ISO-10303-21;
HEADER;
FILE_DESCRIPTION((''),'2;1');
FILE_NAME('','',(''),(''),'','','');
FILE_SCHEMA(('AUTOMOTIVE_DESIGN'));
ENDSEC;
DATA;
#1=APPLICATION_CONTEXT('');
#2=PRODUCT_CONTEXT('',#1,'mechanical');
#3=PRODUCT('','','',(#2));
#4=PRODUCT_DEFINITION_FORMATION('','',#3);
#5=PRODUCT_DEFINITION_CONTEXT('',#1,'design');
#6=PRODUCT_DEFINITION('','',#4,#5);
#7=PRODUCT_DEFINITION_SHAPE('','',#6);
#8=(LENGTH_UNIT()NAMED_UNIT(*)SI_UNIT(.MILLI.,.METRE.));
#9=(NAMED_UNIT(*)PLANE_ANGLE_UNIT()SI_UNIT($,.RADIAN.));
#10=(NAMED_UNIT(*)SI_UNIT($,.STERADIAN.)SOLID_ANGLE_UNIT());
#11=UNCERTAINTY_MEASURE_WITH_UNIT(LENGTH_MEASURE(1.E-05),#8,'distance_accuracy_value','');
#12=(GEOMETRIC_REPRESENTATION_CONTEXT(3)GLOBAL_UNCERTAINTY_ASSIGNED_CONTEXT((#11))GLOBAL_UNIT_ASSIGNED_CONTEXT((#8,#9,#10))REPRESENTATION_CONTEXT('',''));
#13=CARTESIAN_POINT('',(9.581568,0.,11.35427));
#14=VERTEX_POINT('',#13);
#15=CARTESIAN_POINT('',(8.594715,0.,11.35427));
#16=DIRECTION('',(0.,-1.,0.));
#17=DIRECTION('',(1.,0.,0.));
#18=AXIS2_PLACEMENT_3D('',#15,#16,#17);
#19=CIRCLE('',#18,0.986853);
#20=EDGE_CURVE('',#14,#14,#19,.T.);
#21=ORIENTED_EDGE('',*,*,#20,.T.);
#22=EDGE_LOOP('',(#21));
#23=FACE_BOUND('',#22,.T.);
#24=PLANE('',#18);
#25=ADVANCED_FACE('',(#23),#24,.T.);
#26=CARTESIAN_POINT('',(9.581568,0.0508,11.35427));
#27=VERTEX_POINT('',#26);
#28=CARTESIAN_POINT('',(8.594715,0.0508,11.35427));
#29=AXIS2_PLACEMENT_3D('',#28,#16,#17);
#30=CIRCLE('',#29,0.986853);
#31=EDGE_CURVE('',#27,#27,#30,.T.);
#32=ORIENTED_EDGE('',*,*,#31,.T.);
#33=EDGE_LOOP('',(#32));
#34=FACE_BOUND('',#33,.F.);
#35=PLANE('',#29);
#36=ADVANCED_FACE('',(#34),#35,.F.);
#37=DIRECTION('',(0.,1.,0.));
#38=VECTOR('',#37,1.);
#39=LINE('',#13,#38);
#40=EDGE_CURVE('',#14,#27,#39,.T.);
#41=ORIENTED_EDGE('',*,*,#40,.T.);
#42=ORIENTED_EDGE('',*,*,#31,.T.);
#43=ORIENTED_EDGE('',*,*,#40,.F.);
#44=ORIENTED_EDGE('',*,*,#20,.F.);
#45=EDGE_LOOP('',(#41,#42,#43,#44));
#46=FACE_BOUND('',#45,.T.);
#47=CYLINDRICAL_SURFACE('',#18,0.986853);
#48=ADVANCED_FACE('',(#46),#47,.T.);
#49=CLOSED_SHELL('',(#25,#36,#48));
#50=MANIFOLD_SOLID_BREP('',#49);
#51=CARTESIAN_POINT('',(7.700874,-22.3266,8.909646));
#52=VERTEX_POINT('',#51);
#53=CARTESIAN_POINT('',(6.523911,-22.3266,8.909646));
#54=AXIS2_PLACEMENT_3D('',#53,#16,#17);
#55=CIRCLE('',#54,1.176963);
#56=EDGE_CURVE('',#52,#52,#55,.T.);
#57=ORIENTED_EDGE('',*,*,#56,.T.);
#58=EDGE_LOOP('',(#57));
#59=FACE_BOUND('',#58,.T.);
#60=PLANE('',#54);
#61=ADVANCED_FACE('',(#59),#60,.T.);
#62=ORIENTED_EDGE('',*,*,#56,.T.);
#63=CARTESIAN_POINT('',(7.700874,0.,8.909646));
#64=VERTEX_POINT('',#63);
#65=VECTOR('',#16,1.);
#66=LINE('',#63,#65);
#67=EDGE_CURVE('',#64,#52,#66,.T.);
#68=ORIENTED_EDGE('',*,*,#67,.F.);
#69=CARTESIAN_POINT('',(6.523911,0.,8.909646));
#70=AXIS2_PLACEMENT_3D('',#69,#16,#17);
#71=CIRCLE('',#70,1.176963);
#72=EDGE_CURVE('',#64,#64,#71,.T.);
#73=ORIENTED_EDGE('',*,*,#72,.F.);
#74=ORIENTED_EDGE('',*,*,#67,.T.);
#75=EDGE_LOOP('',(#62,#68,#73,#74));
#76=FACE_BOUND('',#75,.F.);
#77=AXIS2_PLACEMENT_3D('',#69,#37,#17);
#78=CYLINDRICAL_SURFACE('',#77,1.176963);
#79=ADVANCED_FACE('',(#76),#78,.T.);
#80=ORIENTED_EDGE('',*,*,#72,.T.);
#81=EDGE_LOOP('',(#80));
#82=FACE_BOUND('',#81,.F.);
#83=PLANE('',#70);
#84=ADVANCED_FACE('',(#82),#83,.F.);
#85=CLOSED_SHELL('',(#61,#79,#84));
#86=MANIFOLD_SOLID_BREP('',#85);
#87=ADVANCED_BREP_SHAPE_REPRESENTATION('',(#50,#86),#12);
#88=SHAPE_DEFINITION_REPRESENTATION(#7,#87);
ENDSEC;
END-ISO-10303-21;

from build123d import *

# Parameters (mm, degrees)
F0_R     = 1.176963
F1_DEPTH = 22.3266
F2_R     = 0.986853
F3_DEPTH = 0.0508


with BuildPart() as f1:
    # F0 (on Front) → F1 (new body)
    with BuildSketch(Plane.XZ):
        with Locations((6.523911, 8.909646)):
            Circle(F0_R)
    extrude(amount=F1_DEPTH)


with BuildPart() as f3:
    # F2 (on face) → F3 (new body)
    with BuildSketch(Plane.XZ):
        with Locations((8.594715, 11.35427)):
            Circle(F2_R)
    extrude(amount=-F3_DEPTH)


solid = Compound([f1.part, f3.part])
